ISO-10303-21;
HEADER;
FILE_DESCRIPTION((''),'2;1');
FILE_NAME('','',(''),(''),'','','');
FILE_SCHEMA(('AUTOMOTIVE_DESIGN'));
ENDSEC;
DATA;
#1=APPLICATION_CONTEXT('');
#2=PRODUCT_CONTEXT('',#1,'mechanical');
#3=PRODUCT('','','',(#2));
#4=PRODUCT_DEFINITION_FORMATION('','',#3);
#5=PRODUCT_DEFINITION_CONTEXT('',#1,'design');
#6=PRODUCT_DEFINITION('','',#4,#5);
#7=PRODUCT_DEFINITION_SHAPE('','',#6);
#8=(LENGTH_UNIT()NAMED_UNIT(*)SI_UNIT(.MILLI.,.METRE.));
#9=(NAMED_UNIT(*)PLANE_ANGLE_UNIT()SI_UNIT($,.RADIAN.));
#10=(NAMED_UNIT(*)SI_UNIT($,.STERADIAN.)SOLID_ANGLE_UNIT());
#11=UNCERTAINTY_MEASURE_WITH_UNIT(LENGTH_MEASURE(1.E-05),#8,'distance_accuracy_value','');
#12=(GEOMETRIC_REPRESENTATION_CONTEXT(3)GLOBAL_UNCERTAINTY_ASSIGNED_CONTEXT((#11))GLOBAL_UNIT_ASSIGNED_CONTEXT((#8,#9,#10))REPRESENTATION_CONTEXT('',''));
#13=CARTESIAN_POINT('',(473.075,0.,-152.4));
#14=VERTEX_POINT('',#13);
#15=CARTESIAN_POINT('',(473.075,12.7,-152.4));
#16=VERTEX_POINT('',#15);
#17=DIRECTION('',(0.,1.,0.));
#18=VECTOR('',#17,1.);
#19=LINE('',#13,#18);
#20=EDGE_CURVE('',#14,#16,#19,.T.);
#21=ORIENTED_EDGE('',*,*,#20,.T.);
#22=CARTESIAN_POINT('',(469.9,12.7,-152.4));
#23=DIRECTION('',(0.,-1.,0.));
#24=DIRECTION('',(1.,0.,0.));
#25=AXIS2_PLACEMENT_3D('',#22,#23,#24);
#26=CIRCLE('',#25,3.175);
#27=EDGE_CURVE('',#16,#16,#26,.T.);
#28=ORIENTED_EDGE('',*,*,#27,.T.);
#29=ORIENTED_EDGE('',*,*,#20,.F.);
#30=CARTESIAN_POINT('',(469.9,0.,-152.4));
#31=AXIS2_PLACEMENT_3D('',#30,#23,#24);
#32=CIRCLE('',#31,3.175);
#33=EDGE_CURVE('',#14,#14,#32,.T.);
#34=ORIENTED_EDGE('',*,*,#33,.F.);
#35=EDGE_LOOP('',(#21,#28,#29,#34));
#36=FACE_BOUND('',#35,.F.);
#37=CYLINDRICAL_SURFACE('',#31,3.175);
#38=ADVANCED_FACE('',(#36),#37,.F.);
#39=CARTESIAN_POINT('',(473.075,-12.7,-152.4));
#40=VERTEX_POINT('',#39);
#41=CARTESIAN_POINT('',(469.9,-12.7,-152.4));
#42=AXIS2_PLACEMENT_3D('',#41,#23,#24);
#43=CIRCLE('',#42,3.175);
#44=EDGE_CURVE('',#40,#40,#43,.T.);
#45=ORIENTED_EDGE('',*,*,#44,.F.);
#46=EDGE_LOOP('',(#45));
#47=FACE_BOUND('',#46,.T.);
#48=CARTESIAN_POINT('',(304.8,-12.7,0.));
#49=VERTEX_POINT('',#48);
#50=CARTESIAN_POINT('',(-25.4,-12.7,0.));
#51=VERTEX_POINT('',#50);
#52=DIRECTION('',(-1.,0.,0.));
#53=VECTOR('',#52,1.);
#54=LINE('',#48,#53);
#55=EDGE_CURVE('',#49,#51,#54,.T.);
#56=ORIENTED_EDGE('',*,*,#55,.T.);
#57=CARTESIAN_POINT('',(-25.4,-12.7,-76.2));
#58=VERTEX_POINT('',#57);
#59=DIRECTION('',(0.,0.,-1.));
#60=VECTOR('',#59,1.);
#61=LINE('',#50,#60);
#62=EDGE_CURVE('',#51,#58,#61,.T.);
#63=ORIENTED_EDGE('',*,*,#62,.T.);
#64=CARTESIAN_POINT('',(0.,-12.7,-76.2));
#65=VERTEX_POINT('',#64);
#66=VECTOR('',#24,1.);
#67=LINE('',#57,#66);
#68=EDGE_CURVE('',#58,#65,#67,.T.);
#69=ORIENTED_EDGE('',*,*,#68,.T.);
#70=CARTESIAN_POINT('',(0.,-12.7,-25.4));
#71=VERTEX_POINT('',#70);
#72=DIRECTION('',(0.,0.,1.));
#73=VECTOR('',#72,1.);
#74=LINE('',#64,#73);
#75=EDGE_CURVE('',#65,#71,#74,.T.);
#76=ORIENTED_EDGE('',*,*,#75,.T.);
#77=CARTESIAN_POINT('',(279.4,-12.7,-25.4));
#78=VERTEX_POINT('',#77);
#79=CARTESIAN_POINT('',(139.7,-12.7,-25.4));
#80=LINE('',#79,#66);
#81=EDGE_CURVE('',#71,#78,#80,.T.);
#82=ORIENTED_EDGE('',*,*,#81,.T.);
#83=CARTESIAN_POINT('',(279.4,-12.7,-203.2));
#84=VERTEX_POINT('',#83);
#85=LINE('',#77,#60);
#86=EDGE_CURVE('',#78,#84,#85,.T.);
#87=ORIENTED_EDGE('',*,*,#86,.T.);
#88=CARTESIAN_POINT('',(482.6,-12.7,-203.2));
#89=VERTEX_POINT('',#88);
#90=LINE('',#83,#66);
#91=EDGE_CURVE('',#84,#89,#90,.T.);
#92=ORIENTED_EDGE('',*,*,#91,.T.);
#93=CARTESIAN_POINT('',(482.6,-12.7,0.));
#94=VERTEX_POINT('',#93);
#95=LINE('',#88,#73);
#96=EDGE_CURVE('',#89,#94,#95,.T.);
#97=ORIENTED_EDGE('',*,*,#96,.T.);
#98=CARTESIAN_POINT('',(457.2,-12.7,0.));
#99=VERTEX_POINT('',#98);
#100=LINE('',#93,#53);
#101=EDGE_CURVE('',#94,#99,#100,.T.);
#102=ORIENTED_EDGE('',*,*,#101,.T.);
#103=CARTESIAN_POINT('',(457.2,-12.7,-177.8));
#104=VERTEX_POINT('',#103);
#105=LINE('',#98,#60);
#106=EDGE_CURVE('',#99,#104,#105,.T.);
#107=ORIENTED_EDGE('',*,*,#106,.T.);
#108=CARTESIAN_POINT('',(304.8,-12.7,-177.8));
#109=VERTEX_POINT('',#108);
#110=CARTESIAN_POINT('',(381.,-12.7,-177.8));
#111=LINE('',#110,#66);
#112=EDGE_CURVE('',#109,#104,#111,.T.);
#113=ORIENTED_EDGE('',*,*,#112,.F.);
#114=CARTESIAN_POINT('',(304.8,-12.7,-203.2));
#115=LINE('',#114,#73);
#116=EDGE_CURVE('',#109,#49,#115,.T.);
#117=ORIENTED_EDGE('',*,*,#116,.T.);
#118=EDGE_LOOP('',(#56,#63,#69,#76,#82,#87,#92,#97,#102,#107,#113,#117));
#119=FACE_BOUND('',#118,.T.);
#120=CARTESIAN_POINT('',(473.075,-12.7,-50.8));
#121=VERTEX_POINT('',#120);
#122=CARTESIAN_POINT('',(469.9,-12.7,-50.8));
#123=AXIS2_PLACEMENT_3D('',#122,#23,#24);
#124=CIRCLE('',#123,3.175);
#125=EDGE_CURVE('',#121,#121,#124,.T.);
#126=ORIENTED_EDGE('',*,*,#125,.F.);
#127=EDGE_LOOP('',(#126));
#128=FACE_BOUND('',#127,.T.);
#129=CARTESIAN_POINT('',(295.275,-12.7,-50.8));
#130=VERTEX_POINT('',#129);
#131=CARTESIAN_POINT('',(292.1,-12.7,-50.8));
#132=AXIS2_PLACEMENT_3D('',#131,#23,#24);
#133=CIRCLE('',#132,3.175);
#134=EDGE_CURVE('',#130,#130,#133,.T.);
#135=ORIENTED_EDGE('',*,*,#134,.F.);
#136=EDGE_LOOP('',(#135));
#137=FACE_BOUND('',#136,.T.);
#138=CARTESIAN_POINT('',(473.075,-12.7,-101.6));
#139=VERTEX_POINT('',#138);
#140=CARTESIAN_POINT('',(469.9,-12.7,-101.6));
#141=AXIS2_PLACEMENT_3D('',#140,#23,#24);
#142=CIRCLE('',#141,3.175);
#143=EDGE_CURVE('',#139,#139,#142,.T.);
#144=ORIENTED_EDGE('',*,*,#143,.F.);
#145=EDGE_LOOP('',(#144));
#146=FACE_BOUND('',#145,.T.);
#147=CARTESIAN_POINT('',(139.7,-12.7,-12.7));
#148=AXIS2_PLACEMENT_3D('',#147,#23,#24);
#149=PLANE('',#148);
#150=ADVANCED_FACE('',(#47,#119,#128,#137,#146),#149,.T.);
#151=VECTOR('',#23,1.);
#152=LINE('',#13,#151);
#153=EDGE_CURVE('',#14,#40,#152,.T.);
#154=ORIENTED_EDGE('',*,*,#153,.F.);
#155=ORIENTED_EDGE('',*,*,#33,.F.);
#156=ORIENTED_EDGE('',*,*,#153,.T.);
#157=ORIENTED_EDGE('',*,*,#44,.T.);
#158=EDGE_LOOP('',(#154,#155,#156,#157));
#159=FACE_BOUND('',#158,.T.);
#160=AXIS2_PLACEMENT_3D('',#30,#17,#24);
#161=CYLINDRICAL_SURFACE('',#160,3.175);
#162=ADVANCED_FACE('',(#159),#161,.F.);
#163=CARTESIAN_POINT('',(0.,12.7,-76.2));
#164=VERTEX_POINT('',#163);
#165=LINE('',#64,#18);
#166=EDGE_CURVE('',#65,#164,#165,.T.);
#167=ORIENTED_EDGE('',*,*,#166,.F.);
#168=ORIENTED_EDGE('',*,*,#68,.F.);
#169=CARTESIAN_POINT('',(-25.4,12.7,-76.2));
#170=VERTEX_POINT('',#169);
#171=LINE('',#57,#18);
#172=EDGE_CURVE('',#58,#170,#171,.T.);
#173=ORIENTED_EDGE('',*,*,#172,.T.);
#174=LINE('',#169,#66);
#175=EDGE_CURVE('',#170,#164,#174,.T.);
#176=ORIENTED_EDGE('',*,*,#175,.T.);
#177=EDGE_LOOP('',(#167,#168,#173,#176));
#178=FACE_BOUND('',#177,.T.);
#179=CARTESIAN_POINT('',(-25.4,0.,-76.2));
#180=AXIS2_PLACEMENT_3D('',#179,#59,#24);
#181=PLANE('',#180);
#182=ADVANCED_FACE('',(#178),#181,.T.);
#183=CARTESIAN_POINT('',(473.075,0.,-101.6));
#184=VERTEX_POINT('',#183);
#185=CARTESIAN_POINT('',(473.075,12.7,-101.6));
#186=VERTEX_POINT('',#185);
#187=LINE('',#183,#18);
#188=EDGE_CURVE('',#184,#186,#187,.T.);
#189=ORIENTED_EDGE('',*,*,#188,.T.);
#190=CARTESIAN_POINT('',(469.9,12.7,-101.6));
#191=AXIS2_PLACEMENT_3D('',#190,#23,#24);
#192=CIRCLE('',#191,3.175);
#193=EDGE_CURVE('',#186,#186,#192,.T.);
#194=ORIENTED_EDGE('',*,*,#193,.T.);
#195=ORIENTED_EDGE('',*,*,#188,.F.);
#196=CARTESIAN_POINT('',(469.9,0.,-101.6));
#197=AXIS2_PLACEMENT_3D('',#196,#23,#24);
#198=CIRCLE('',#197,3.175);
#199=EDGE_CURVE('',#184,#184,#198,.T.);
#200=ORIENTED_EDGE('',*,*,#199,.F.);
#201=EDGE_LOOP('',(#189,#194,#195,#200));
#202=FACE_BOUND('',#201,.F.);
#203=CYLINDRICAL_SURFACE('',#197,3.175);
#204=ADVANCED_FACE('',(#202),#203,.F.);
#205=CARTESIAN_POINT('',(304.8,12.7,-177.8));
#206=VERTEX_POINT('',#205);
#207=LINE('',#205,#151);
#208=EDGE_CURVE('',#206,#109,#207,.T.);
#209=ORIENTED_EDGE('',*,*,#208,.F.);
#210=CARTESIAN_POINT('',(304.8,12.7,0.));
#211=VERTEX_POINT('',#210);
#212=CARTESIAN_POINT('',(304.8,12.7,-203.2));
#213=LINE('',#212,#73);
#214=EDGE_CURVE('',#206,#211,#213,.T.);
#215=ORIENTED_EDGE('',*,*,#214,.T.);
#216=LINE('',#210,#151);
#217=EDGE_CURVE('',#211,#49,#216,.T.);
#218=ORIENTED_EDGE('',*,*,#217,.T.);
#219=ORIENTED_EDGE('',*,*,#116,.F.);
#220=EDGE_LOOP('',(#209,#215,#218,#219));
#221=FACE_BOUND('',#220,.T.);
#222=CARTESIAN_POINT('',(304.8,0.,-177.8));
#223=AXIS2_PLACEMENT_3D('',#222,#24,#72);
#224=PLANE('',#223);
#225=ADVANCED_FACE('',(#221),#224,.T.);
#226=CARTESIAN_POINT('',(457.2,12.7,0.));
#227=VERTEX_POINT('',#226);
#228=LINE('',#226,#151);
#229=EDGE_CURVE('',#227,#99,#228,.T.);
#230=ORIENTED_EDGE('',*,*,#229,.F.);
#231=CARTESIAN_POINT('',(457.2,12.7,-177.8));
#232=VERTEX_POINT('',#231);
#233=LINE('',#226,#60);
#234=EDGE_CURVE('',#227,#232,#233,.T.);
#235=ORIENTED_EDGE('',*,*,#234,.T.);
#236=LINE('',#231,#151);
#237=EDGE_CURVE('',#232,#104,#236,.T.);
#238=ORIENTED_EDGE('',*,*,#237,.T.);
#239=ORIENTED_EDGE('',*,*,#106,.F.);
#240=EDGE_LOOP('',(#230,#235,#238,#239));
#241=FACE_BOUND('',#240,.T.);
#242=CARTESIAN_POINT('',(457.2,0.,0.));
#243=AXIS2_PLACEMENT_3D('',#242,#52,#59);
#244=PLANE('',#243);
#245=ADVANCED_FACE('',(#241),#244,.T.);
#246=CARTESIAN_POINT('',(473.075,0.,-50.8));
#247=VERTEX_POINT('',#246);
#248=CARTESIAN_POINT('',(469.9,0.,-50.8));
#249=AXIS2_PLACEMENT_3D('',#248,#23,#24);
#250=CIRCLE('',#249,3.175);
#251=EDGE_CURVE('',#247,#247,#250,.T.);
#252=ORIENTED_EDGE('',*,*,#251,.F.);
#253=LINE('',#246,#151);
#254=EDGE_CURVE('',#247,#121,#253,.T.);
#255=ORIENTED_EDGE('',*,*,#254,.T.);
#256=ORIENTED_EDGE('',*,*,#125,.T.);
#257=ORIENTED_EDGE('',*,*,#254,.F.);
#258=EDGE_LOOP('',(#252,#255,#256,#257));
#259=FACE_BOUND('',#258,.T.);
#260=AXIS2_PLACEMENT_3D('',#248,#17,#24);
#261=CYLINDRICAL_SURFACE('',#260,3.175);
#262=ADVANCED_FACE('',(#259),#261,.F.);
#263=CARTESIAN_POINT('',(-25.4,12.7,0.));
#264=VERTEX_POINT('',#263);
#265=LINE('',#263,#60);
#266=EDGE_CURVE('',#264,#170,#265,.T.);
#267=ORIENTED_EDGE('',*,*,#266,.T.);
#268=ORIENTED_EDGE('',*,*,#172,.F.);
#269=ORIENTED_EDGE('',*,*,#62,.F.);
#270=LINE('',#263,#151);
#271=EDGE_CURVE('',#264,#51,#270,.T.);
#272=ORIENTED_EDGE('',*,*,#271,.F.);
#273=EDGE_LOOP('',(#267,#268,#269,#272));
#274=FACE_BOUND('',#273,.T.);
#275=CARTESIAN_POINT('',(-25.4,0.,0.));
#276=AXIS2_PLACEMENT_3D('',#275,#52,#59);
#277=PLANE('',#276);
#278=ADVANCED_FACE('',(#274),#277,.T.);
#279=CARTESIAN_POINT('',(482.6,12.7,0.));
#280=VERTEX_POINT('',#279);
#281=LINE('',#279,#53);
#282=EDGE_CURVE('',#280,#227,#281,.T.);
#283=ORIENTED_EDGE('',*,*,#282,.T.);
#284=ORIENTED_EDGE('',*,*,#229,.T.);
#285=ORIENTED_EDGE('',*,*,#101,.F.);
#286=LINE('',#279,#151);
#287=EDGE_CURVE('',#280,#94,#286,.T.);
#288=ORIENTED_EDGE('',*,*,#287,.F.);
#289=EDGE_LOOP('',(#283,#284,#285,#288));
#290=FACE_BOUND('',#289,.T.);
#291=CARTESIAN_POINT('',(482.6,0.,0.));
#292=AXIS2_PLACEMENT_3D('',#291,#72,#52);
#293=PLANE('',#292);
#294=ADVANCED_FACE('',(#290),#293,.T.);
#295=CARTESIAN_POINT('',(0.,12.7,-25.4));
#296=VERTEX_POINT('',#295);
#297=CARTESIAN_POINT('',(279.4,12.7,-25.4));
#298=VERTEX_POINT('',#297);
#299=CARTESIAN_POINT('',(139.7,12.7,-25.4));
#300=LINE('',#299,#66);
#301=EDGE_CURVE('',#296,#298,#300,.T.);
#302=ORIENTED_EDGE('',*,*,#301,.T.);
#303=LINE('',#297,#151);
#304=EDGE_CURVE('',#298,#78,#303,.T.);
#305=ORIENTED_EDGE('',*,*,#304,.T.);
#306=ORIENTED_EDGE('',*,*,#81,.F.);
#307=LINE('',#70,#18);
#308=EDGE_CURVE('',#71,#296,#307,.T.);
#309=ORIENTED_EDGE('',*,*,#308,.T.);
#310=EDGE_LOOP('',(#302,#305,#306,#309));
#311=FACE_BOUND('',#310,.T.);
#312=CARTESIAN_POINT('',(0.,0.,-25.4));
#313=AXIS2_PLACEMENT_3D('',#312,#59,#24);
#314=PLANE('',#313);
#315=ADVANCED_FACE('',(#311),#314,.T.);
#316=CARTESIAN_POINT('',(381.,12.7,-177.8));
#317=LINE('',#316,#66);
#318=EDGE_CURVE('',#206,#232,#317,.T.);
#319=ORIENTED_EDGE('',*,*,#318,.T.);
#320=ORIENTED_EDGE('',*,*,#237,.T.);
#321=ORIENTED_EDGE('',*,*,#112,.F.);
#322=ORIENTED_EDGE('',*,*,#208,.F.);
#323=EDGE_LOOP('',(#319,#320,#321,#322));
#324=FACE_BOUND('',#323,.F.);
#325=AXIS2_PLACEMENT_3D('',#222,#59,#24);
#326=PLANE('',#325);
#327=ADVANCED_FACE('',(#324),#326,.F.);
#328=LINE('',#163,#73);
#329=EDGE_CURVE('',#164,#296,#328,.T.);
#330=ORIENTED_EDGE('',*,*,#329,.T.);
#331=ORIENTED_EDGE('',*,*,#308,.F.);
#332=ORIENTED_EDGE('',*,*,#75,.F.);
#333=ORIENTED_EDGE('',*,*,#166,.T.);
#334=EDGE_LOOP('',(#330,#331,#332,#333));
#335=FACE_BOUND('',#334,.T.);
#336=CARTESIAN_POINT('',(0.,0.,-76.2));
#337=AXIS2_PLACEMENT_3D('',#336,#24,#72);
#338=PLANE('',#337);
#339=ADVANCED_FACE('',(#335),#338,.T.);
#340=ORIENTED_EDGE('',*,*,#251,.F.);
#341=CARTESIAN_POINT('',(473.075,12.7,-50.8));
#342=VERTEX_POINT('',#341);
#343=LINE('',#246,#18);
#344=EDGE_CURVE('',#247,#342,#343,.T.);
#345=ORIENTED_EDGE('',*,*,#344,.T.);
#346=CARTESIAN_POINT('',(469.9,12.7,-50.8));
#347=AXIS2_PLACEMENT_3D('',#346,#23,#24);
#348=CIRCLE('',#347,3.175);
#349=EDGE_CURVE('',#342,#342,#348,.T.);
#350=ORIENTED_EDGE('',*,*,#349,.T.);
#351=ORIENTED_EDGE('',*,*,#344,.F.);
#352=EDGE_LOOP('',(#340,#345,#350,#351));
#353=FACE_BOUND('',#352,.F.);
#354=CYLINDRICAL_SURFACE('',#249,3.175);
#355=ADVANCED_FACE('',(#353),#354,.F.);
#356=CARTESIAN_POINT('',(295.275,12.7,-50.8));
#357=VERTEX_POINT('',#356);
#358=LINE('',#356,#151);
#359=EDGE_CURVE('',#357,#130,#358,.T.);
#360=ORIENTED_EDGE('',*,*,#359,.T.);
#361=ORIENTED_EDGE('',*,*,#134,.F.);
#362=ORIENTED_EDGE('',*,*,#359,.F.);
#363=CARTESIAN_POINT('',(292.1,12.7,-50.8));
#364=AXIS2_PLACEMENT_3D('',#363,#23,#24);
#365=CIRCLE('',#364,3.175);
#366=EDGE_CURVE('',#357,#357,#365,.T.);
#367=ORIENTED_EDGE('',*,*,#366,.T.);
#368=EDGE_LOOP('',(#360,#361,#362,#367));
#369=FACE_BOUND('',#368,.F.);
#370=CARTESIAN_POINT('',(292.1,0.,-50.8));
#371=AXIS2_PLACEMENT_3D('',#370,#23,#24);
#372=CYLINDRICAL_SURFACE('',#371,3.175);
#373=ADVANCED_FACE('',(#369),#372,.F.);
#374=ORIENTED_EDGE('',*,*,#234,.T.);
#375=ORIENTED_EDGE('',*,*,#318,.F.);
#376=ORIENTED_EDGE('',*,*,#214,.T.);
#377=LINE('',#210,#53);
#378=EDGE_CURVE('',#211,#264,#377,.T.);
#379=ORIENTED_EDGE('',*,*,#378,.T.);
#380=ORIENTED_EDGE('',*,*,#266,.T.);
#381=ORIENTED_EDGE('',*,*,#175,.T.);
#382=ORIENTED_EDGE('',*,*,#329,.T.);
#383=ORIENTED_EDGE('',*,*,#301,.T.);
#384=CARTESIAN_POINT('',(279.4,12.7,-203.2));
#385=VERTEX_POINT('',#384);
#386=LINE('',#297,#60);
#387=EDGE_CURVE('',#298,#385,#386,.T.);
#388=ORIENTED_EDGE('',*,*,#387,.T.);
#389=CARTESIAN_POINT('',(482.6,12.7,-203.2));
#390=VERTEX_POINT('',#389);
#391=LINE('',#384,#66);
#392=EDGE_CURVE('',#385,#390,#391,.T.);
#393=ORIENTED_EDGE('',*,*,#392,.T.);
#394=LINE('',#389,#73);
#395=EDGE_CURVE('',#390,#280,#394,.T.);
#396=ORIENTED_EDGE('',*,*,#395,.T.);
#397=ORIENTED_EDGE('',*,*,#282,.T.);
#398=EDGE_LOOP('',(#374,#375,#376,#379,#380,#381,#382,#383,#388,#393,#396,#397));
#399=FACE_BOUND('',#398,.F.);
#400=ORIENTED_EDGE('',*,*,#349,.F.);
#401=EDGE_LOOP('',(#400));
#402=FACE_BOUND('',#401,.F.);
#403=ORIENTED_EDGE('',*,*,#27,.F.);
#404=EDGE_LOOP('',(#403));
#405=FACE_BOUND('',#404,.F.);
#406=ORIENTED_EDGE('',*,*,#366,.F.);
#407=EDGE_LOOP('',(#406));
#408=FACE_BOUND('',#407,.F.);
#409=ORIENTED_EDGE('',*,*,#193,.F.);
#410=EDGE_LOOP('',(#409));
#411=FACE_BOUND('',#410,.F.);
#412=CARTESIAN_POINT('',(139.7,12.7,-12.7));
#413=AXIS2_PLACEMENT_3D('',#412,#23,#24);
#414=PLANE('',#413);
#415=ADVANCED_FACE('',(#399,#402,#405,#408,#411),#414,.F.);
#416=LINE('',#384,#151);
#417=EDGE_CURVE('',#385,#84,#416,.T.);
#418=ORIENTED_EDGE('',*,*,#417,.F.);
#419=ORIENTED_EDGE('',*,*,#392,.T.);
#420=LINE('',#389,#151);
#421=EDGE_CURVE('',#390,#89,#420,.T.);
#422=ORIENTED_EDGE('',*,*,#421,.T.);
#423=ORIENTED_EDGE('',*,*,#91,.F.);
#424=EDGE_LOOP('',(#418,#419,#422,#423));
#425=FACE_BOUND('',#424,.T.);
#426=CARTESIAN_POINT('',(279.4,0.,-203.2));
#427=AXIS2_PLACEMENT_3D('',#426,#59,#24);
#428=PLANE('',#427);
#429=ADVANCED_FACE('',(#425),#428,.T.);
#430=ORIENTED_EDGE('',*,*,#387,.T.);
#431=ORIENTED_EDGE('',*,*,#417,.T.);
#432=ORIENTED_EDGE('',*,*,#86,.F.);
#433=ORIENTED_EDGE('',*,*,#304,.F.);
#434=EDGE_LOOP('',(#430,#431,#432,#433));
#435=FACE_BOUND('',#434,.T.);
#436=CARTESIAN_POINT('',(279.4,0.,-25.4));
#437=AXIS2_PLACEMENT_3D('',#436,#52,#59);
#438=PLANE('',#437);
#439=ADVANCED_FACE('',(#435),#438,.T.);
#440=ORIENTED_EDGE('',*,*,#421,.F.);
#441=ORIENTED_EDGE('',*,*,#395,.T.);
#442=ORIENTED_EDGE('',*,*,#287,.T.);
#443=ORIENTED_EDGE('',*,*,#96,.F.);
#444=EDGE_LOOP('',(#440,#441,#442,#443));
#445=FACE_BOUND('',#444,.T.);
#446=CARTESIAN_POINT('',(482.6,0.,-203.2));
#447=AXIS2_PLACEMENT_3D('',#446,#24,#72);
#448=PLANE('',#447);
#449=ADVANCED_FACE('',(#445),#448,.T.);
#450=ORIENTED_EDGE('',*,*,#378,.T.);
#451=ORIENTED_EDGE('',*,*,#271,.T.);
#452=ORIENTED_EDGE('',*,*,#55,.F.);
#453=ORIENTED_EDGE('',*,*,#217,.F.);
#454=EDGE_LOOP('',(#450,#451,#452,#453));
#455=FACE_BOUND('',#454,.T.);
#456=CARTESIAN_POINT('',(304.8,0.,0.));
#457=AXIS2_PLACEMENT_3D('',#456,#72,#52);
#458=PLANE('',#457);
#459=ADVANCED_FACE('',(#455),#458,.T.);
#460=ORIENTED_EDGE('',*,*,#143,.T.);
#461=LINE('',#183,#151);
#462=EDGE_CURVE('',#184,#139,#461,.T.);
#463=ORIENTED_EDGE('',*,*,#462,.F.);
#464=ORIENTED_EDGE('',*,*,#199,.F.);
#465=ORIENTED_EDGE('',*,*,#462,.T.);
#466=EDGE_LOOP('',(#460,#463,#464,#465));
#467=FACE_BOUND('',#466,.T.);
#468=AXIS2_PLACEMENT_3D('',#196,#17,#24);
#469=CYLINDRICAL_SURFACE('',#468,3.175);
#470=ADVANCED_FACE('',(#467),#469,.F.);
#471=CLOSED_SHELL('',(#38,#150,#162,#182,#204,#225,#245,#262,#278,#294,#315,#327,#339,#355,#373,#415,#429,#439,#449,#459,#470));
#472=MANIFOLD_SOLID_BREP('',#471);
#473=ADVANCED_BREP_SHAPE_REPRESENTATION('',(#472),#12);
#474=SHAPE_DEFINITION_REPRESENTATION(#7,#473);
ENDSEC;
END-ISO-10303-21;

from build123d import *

# Parameters (mm, degrees)
F0_W     = 279.4
F0_H     = 25.4
F0_W_2   = 152.4
F1_DEPTH = 12.7
F2_R     = 3.175
F3_DEPTH = 12.7


with BuildPart() as f1:
    # F0 (on Front) → F1 (new body, symmetric)
    with BuildSketch(Plane.XZ):
        with Locations((139.7, -12.7)):
            Rectangle(F0_W, F0_H)
        Polygon((0, -25.4), (0, 0), (-25.4, 0), (-25.4, -76.2), (0, -76.2), align=None)
        Polygon((304.8, 0), (279.4, 0), (279.4, -25.4), (279.4, -203.2), (304.8, -203.2), (304.8, -177.8), align=None)
        with Locations((381, -190.5)):
            Rectangle(F0_W_2, F0_H)
        Polygon((457.2, 0), (457.2, -177.8), (457.2, -203.2), (482.6, -203.2), (482.6, 0), align=None)
    extrude(amount=F1_DEPTH, both=True)

    # F2 (on Front) → F3 (cut, symmetric)
    with BuildSketch(Plane.XZ):
        with Locations((469.9, -101.6)):
            Circle(F2_R)
        with Locations((469.9, -50.8)):
            Circle(F2_R)
        with Locations((469.9, -152.4)):
            Circle(F2_R)
        with Locations((292.1, -50.8)):
            Circle(F2_R)
    extrude(amount=F3_DEPTH, both=True, mode=Mode.SUBTRACT)


solid = f1.part
